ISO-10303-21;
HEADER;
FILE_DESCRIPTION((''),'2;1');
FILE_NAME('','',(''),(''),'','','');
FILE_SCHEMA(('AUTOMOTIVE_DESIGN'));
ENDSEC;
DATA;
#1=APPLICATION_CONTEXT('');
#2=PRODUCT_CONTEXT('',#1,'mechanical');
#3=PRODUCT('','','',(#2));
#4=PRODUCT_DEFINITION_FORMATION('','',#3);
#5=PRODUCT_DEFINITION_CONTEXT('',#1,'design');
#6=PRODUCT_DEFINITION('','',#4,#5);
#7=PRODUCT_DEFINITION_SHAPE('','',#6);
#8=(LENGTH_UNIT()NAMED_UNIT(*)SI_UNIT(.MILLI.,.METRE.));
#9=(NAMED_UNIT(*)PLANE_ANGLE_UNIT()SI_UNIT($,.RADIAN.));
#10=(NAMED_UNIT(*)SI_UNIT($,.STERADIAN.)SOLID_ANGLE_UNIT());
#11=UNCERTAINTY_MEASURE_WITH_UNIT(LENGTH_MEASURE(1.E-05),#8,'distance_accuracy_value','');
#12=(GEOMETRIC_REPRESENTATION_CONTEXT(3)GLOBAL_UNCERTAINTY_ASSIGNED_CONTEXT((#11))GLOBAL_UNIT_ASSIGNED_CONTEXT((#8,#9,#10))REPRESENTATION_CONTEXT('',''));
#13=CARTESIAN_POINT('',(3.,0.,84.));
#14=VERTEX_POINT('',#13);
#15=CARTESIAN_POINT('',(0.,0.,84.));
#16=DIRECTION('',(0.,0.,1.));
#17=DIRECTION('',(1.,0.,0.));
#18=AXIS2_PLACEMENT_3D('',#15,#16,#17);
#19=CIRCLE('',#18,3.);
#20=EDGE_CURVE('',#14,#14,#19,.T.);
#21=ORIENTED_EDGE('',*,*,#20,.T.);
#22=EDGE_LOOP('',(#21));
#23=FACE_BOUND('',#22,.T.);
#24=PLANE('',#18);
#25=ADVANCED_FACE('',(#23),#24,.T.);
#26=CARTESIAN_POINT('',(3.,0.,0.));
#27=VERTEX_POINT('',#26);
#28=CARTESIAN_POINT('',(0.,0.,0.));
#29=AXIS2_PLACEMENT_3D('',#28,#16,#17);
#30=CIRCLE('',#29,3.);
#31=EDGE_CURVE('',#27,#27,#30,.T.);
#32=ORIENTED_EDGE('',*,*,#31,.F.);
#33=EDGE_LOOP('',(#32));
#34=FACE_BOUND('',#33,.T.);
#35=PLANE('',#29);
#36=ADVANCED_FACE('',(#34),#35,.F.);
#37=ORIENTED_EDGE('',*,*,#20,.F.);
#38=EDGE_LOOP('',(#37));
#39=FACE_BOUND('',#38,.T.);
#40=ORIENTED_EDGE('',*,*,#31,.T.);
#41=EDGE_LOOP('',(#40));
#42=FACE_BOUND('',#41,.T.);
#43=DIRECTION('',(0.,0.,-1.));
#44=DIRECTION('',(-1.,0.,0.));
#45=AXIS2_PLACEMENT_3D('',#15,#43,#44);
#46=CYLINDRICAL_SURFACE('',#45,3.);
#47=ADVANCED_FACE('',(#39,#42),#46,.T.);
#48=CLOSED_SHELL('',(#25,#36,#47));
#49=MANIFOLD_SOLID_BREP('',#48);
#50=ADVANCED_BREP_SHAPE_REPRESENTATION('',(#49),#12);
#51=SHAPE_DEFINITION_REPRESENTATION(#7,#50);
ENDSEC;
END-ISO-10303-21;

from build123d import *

# Parameters (mm, degrees)
SKETCH1_R           = 3
BOSS_EXTRUDE1_DEPTH = 84


with BuildPart() as part:
    # Sketch1 → Boss-Extrude1 (new body)
    with BuildSketch(Plane.XY):
        Circle(SKETCH1_R)
    extrude(amount=BOSS_EXTRUDE1_DEPTH)


solid = part.part
